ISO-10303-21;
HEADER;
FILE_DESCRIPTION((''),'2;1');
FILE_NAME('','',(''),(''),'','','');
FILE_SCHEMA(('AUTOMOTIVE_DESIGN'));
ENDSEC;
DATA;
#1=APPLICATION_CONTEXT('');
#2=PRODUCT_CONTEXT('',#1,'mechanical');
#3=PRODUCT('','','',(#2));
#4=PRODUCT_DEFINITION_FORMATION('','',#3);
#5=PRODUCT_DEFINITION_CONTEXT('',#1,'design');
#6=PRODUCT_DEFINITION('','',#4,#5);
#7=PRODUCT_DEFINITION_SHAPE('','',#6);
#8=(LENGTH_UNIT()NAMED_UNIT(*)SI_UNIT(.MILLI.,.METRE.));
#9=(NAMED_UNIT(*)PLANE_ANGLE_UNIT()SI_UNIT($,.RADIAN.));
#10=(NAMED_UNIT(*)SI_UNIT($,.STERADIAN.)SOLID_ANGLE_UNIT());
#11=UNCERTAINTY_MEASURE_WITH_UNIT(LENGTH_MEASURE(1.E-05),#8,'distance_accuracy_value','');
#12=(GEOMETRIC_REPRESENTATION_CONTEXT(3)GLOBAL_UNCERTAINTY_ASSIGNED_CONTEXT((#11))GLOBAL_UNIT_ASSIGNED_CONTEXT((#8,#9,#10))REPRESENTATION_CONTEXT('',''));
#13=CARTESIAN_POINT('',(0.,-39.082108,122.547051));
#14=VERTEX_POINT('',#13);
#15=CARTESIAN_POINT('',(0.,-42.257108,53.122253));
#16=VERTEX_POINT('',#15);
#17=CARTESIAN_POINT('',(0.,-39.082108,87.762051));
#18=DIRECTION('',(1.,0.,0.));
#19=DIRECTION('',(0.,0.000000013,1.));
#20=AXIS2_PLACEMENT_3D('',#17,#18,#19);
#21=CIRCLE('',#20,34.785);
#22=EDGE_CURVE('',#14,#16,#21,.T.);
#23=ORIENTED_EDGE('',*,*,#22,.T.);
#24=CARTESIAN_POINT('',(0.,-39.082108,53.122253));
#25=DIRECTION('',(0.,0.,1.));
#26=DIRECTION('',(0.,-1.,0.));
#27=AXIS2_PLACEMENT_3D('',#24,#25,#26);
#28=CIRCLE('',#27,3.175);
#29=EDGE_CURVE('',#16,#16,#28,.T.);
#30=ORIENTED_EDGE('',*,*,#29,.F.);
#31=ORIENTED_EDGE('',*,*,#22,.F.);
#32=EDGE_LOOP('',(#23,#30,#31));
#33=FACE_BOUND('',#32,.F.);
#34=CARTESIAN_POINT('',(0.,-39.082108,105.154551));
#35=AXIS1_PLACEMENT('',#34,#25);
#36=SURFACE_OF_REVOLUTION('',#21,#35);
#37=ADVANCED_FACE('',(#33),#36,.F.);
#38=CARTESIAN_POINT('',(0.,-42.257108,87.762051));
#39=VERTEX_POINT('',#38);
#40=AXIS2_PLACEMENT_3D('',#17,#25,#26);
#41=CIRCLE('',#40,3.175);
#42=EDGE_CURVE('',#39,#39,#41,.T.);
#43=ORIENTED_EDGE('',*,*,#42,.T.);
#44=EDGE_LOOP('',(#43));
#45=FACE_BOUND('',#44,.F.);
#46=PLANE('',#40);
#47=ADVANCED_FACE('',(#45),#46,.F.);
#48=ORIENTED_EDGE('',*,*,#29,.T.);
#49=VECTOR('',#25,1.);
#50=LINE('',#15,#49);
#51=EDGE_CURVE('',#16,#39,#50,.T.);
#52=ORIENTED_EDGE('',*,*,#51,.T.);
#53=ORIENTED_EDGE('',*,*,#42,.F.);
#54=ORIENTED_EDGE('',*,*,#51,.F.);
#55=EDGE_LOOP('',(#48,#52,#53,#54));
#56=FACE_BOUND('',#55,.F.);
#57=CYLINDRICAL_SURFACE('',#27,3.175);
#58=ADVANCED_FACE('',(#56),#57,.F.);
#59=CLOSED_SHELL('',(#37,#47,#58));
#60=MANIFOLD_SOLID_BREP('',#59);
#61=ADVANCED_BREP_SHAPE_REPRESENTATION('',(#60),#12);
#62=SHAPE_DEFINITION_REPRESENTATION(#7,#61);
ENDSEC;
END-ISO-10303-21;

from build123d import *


with BuildPart() as f1:
    # F0 (on Right) → F1 (revolve)
    with BuildSketch(Plane.YZ):
        with BuildLine():
            Line((-42.257108, 87.762051), (-39.082108, 87.762051))
            Line((-39.082108, 87.762051), (-39.082108, 122.547051))
            ThreePointArc((-39.082108, 122.547051), (-73.830789, 89.35121), (-42.257108, 53.122253))
            Line((-42.257108, 53.122253), (-42.257108, 87.762051))
        make_face()
    revolve(axis=Axis((0, -39.082108, 105.154551), (0, 0, 1)))


solid = f1.part
